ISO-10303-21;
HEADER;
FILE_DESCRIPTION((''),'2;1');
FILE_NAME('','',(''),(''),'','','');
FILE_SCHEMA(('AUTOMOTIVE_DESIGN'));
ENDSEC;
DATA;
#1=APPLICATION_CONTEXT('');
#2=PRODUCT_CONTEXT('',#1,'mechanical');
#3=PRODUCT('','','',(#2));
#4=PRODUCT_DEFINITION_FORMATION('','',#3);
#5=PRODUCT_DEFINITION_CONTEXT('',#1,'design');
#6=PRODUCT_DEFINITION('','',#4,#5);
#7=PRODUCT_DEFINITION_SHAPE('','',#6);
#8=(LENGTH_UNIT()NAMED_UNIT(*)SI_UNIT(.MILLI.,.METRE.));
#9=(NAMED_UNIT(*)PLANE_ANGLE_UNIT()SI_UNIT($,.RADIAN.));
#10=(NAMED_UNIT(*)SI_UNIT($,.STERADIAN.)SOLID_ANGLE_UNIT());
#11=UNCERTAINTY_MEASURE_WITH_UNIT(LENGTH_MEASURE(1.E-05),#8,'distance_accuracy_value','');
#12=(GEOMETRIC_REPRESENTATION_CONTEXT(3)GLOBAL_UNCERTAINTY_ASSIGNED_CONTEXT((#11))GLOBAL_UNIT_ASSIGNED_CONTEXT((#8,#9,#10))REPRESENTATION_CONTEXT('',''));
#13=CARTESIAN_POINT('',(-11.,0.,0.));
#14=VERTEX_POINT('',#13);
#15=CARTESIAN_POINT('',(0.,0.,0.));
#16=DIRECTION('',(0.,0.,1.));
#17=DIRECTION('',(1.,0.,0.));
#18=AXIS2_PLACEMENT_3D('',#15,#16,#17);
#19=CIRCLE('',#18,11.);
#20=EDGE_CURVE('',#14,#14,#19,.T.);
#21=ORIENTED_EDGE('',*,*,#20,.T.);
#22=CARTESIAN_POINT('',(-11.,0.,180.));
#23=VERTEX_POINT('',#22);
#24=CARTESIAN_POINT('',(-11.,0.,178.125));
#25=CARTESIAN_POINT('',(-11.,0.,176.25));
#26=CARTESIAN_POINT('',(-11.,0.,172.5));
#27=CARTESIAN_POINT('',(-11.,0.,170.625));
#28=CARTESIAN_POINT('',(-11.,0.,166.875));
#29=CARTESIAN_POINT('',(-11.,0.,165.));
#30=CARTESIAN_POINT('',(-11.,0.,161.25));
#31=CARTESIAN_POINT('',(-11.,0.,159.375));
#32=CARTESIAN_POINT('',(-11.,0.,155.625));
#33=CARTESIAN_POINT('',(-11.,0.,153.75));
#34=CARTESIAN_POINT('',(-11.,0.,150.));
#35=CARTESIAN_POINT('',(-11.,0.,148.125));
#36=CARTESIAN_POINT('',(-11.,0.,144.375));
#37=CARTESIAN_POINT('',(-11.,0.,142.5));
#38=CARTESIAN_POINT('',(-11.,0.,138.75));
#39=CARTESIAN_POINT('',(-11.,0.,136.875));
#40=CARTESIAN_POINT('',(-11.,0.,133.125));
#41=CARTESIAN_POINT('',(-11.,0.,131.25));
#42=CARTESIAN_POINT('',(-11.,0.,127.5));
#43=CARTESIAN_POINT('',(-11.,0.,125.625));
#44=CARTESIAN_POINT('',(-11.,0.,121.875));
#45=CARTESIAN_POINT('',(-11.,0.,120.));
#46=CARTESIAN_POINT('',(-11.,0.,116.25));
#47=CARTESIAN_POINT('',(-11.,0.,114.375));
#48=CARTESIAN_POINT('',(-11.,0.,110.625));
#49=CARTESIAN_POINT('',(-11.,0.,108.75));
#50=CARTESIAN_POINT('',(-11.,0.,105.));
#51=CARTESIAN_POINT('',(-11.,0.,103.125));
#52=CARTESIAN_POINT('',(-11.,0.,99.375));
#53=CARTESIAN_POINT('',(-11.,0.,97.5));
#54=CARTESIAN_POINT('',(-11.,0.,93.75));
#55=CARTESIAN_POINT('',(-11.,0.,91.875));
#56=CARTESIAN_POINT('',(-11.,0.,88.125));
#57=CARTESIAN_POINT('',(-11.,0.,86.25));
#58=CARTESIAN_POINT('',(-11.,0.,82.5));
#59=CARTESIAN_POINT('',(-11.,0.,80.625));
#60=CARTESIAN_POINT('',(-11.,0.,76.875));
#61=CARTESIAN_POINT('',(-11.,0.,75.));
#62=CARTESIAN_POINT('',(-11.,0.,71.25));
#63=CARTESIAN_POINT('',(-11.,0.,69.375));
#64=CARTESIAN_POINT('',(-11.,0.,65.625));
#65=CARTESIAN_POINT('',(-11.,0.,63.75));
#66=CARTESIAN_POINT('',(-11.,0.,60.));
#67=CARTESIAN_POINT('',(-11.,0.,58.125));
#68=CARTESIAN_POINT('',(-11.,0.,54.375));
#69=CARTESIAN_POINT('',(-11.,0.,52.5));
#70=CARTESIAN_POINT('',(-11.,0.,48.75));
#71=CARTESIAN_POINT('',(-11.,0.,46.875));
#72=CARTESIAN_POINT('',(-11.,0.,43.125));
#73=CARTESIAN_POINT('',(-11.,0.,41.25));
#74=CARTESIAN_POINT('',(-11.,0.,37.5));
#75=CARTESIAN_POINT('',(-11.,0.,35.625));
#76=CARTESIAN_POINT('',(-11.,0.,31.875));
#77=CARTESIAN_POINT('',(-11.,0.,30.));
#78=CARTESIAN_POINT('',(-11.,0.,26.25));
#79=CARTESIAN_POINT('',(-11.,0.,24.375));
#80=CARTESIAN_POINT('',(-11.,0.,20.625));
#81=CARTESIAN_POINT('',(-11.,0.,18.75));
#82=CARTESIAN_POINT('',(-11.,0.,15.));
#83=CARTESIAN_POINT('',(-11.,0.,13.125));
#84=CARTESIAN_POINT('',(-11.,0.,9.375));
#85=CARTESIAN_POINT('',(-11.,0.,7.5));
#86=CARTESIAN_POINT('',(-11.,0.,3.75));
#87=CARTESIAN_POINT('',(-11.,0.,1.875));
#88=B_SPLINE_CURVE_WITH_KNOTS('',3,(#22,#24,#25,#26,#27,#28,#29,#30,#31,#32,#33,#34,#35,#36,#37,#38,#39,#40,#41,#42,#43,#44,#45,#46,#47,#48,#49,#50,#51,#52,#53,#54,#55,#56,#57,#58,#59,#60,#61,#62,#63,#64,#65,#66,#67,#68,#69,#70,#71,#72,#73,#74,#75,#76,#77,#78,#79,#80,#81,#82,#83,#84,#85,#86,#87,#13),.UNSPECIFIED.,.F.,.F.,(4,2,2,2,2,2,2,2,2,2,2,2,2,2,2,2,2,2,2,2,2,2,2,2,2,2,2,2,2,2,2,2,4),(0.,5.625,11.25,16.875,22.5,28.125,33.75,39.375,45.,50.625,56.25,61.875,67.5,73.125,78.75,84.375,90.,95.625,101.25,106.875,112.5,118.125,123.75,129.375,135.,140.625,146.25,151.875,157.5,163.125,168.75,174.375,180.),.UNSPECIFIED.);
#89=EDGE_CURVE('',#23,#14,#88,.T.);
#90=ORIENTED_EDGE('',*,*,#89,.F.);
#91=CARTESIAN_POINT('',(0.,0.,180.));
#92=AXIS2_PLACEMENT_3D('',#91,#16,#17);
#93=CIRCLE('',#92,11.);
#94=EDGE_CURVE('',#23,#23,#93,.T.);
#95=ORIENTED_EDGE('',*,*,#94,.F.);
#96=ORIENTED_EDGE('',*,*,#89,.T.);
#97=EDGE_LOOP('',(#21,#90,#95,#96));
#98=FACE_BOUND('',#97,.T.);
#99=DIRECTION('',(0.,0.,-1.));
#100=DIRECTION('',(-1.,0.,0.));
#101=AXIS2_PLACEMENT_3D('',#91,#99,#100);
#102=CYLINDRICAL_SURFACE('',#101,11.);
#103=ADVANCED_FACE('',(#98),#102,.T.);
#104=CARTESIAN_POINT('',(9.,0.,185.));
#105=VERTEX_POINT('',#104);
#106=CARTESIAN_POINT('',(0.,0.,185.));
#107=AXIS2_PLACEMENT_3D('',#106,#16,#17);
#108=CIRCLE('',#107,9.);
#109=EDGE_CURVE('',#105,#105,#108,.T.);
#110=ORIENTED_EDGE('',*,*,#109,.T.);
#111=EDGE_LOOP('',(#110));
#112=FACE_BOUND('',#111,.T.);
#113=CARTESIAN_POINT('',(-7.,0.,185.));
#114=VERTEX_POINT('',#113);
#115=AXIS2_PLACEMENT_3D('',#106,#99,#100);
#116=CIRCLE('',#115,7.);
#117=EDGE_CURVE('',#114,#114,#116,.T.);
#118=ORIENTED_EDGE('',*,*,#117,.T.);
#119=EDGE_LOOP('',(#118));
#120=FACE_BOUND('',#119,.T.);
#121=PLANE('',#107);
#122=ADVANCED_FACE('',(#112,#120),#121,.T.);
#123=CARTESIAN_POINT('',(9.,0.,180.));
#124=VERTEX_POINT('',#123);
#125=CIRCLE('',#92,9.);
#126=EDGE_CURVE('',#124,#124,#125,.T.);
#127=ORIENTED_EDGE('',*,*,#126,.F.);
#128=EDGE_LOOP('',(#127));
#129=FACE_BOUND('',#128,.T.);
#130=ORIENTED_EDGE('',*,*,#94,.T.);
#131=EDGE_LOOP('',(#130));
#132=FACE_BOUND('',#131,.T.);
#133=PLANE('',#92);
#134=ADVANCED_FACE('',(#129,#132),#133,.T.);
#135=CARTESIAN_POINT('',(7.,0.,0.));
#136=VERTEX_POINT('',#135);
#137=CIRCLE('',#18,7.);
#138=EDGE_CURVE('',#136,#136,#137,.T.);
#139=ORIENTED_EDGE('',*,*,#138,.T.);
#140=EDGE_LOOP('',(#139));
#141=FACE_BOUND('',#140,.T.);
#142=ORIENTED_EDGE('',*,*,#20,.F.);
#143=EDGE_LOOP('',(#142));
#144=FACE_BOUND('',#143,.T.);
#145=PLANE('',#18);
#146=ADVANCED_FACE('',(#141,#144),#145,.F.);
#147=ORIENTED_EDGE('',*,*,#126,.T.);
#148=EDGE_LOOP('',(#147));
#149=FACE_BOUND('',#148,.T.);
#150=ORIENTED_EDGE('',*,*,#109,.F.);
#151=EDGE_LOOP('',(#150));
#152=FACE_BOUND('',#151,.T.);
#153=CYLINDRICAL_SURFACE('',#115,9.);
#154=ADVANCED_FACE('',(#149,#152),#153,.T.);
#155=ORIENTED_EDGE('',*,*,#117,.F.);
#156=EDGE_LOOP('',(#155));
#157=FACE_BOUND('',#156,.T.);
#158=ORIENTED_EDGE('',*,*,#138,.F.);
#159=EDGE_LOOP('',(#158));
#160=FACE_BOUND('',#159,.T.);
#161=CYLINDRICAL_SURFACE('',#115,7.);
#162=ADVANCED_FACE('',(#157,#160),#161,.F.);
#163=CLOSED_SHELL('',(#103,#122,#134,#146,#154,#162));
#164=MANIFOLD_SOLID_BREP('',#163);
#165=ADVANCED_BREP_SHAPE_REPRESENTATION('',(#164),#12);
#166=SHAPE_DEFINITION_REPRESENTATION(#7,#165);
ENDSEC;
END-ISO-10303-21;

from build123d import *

# Parameters (mm, degrees)
SKETCH_1_R               = 11
EXTRUDE_1_DEPTH          = 180
SKETCH_2_R               = 9
EXTRUDE_2_DEPTH          = 5
CUT_EXTRUDE_1_DEPTH      = 186.652901943
CUT_EXTRUDE_1_DEPTH_BACK = 186.652901943
SKETCH_3_R               = 7


with BuildPart() as part:
    # 草图1 → 凸台-拉伸1 (new body)
    with BuildSketch(Plane.XY):
        with Locations(Location((0, 0, 0), (0, 0, 180))):
            Circle(SKETCH_1_R)
    extrude(amount=EXTRUDE_1_DEPTH)

    # 草图2 → 凸台-拉伸2 (add)
    with BuildSketch(Plane.XY.offset(180)):
        Circle(SKETCH_2_R)
    extrude(amount=EXTRUDE_2_DEPTH)

    # 草图3 → 切除-拉伸1 (cut, two sides: drawn at the far end of the back side and taken through both)
    with BuildSketch(Plane(origin=(0, 0, 0), x_dir=(-1, 0, 0), z_dir=(0, 0, -1)).offset(-CUT_EXTRUDE_1_DEPTH_BACK)):
        Circle(SKETCH_3_R)
    extrude(amount=CUT_EXTRUDE_1_DEPTH + CUT_EXTRUDE_1_DEPTH_BACK, mode=Mode.SUBTRACT)


solid = part.part
